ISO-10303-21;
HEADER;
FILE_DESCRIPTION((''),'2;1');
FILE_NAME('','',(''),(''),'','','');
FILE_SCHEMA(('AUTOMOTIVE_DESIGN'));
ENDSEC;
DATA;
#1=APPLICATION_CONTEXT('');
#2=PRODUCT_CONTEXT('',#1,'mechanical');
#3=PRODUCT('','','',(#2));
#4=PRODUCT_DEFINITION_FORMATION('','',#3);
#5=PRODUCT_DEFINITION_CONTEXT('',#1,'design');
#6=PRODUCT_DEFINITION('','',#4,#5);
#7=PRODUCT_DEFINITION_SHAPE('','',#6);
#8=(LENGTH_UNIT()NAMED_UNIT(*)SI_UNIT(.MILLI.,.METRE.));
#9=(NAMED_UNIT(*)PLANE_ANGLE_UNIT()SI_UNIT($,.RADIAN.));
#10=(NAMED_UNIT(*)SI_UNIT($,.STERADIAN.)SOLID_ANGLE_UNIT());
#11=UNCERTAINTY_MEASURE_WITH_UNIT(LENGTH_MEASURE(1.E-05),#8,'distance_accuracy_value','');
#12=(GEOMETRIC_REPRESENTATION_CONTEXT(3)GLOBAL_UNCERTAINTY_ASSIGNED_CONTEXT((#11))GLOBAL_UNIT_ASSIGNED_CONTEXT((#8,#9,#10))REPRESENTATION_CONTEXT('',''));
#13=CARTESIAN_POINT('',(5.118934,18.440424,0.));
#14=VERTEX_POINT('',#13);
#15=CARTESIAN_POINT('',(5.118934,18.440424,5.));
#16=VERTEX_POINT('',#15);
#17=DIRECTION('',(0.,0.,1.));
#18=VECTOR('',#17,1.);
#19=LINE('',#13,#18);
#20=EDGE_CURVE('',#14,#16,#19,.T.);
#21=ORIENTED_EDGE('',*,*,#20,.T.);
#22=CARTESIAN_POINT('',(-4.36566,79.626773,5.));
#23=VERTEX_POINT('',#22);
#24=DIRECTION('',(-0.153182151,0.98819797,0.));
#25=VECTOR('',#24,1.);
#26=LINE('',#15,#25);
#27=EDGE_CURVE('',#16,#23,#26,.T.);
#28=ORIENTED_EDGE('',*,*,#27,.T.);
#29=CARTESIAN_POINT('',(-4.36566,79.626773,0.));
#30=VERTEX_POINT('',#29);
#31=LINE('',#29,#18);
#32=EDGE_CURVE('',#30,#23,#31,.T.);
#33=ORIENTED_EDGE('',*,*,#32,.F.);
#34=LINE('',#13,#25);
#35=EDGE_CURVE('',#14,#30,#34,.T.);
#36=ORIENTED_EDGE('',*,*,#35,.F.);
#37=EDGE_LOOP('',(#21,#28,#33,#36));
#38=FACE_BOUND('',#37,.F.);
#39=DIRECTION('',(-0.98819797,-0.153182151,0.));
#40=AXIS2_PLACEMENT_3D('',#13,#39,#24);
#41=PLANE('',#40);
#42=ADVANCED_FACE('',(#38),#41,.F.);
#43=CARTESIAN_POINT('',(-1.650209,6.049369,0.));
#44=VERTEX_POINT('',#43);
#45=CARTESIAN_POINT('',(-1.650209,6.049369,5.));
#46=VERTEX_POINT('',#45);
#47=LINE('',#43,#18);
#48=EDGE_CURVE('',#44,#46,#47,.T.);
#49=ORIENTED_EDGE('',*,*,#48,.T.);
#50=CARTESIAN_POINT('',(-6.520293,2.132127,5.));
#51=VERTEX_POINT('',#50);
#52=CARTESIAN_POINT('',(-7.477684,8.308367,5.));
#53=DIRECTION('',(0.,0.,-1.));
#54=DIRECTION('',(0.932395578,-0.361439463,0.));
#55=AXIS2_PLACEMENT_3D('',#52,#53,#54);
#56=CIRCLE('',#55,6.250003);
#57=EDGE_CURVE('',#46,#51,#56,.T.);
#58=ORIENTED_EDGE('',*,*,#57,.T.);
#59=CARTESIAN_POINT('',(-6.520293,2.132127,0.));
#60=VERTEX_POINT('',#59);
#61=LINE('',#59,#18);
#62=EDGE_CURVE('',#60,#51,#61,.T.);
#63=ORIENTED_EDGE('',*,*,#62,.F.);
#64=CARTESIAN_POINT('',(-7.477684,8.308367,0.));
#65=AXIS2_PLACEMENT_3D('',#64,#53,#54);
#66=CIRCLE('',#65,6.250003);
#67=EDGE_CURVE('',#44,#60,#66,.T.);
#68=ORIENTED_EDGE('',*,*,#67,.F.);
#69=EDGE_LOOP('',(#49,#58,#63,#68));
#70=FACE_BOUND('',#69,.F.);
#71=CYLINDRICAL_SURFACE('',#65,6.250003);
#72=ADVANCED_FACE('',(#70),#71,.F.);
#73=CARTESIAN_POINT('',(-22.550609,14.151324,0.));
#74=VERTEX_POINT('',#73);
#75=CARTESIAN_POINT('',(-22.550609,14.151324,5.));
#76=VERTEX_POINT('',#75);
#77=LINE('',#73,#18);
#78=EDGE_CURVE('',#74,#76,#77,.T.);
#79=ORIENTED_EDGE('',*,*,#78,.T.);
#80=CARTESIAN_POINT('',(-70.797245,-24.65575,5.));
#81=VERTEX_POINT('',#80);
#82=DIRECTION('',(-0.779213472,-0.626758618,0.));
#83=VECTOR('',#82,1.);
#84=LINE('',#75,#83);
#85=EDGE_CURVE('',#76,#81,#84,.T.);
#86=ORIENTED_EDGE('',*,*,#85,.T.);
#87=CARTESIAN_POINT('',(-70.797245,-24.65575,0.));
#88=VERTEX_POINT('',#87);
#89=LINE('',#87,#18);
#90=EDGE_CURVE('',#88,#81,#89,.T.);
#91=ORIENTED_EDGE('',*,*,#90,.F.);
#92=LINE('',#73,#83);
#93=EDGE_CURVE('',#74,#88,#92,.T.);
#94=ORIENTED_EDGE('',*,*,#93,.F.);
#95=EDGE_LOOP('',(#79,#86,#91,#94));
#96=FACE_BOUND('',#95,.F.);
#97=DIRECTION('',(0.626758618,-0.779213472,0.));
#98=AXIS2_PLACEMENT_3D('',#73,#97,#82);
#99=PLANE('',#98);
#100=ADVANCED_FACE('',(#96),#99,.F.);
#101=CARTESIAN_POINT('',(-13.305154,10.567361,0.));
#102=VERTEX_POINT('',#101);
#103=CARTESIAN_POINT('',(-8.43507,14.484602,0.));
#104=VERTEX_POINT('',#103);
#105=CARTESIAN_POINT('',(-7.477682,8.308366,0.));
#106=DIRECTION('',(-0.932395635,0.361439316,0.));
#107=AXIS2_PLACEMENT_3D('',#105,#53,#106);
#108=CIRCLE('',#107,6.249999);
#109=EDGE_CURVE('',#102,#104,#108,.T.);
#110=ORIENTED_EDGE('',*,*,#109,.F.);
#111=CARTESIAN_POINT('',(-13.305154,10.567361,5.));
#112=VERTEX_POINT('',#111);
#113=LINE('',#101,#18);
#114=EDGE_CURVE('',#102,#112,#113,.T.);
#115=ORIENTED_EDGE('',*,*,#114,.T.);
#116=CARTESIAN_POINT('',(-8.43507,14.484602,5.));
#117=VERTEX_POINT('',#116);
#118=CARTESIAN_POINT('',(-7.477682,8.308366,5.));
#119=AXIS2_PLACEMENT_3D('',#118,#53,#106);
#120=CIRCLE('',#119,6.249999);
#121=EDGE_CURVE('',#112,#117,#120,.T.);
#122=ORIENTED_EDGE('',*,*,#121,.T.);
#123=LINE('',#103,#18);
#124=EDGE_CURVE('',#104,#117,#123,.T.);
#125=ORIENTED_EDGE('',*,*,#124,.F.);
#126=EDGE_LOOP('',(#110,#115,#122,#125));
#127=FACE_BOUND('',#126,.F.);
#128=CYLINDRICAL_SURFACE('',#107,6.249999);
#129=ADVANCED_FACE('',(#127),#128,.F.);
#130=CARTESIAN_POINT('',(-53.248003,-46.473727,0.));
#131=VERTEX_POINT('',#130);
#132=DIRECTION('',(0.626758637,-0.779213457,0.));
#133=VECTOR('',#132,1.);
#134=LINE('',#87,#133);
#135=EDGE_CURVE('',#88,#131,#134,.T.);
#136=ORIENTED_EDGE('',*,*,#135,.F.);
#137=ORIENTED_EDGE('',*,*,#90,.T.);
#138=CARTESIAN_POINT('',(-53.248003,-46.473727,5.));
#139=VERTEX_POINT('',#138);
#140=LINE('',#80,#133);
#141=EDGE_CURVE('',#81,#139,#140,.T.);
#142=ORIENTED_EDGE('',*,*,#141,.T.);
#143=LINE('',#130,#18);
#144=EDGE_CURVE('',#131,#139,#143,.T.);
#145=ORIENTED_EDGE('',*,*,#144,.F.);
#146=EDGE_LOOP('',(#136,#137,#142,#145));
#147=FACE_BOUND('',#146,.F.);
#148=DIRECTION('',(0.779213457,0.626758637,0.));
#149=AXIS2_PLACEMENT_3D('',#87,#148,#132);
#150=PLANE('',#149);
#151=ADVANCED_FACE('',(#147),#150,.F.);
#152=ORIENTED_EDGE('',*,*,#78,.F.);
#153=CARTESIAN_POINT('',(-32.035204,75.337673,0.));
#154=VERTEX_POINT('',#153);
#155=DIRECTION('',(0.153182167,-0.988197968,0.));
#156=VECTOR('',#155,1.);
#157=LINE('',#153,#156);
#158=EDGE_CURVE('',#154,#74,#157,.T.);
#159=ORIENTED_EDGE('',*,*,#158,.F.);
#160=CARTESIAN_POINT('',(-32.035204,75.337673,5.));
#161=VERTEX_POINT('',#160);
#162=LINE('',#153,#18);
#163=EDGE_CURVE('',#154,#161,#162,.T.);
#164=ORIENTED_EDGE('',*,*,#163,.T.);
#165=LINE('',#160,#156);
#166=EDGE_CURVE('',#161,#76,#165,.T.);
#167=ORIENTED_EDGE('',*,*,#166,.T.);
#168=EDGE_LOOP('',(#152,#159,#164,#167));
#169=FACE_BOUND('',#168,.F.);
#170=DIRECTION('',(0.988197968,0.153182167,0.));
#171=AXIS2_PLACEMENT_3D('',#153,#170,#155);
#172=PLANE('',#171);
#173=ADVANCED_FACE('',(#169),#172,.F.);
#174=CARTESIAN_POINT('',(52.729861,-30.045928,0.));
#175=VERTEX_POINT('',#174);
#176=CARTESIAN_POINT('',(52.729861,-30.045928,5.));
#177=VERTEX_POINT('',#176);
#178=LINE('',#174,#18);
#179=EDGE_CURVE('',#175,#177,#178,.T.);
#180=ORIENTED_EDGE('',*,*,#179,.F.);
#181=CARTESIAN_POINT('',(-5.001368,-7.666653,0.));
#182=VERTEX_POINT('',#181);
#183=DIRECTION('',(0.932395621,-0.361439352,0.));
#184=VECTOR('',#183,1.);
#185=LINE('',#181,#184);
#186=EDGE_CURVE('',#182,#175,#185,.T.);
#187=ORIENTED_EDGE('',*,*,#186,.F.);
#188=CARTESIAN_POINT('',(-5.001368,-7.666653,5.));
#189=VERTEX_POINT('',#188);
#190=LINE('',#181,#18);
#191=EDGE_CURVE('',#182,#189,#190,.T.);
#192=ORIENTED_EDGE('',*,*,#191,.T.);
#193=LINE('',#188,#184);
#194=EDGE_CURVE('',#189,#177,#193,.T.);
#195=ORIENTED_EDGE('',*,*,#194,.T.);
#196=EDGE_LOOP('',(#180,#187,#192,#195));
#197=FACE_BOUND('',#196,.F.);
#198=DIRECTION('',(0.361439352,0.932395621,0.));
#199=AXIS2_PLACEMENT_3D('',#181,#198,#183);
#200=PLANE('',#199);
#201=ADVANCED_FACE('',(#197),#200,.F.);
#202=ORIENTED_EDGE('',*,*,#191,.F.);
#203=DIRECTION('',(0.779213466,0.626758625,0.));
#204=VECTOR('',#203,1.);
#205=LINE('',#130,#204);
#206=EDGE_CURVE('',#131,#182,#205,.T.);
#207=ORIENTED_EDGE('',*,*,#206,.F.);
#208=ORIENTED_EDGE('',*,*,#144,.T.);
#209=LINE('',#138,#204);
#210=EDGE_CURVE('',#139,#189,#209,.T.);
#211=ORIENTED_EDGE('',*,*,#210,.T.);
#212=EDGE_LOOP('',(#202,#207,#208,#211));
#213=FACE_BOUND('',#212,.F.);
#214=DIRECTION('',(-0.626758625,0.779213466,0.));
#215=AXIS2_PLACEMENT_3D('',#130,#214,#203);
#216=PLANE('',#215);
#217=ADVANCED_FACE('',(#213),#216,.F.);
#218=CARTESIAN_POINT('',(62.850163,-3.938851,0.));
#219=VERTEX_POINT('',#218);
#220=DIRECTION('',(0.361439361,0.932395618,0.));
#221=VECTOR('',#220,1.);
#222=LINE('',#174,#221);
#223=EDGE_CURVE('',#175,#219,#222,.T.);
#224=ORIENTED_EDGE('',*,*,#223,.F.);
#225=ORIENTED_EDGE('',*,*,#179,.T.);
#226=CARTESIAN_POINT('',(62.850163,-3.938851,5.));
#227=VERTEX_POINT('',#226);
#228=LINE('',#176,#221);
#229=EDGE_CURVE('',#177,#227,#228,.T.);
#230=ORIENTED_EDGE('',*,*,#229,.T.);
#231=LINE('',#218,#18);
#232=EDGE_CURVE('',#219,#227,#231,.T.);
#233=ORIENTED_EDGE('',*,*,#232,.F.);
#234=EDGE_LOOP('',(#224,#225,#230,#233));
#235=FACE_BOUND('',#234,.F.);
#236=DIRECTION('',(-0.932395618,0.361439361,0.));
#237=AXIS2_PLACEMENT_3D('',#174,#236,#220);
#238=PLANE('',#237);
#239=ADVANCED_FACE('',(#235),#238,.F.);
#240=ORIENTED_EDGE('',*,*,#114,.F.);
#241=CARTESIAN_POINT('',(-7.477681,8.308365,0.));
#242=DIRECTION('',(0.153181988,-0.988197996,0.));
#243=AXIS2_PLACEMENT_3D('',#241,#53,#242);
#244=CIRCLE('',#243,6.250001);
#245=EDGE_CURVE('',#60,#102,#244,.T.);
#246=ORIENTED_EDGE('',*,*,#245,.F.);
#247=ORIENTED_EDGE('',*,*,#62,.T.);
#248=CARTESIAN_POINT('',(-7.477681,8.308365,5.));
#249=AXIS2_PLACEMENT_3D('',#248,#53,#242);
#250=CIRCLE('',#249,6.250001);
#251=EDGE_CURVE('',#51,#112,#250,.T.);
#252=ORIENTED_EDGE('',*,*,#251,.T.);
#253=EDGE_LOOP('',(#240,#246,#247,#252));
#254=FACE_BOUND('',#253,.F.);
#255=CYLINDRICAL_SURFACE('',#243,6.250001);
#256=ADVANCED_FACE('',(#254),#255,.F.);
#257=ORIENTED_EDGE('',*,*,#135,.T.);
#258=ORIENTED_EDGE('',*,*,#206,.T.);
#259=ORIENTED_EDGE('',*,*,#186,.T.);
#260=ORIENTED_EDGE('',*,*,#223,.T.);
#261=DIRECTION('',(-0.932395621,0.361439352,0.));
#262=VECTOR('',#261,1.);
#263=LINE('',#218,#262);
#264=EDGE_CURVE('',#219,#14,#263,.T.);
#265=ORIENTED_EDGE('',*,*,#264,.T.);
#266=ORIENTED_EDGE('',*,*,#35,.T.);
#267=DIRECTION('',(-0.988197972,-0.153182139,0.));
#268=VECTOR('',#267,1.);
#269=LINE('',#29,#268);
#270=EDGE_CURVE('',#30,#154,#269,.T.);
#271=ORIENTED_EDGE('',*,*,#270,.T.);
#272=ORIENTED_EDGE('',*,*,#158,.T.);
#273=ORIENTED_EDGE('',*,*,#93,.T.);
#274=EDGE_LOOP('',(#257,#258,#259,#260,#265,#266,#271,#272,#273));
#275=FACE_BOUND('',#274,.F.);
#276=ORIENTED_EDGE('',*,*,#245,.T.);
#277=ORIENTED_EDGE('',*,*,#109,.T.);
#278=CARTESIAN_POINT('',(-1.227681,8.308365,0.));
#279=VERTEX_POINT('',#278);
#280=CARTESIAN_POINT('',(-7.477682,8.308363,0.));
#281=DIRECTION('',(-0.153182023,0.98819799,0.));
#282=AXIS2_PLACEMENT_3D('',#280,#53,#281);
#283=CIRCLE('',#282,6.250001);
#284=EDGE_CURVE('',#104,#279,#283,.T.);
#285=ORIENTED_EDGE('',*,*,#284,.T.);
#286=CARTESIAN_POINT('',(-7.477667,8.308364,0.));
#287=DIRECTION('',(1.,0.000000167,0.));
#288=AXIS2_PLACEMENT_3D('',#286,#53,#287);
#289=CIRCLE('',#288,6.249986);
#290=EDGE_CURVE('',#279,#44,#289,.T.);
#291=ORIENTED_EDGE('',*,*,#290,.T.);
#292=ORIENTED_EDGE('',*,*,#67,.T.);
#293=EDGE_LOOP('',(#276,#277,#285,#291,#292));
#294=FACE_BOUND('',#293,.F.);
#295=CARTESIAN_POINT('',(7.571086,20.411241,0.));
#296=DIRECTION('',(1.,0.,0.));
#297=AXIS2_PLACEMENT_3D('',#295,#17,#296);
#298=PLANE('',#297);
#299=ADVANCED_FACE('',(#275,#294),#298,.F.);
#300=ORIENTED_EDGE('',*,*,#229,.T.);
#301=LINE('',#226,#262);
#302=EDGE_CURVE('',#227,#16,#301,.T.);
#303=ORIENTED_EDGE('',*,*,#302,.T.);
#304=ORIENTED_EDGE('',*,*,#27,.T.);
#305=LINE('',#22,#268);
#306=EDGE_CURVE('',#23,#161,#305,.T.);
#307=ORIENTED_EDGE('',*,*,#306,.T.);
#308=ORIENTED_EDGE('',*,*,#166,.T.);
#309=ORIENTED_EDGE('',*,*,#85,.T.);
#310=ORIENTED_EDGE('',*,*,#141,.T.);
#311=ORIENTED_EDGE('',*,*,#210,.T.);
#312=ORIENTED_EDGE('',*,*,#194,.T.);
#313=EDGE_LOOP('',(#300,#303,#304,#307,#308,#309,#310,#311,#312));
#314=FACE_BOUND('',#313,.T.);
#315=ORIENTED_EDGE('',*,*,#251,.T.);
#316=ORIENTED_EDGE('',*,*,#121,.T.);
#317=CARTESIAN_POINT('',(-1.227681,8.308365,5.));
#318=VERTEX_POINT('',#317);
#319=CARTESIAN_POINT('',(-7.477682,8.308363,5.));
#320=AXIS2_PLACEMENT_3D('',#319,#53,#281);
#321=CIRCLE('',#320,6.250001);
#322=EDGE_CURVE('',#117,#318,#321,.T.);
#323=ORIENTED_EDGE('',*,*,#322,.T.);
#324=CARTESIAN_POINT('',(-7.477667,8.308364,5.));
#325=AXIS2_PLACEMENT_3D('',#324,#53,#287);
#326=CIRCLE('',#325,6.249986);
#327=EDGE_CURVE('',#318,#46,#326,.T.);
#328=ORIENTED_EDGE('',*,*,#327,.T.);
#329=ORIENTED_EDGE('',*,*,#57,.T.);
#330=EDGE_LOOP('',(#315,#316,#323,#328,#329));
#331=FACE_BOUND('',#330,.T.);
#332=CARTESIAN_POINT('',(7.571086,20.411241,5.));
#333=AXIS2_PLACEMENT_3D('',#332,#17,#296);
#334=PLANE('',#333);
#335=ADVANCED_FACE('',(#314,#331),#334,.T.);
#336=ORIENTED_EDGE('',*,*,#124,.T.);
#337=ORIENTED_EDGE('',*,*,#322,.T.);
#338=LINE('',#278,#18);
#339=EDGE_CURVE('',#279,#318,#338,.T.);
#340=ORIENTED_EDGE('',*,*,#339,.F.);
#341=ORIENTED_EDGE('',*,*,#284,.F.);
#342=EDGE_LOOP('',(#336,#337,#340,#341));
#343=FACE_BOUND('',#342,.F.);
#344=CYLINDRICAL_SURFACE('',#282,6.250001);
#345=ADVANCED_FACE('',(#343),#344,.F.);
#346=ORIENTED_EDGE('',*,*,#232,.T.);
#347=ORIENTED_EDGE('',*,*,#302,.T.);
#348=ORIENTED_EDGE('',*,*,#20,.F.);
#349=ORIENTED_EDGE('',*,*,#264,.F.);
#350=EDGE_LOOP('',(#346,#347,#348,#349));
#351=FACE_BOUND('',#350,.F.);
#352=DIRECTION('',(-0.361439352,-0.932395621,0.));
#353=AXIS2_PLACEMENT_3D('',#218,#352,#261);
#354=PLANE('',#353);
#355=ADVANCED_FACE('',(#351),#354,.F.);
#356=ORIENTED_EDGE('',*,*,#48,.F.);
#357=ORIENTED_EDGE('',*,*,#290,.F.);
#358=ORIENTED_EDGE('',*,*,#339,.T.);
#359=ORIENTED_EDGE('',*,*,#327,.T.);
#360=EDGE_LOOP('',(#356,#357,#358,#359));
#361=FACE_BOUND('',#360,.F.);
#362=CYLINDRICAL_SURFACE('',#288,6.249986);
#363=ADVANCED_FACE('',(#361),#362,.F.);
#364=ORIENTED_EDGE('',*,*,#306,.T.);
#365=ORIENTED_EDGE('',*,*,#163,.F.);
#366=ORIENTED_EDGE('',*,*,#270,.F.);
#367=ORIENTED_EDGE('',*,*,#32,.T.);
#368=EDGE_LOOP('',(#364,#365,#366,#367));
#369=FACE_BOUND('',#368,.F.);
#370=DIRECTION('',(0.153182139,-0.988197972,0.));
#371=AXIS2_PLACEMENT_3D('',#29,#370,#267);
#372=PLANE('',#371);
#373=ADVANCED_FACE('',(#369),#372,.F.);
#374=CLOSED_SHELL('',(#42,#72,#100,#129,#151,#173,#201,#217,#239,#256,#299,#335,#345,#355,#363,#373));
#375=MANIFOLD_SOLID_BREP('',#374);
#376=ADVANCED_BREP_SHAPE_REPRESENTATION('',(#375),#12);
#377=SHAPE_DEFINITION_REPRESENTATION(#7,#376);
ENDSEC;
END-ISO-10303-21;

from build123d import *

# Parameters (mm, degrees)
F1_DEPTH = 5


with BuildPart() as f1:
    # F0 (on Top) → F1 (new body)
    with BuildSketch(Plane.XY):
        with BuildLine():
            Line((-4.36566, 79.626773), (-32.035204, 75.337673))
            Line((-32.035204, 75.337673), (-22.550609, 14.151324))
            Line((-22.550609, 14.151324), (-13.305154, 10.567361))
            ThreePointArc((-13.305154, 10.567361), (-11.394923, 13.178449), (-8.43507, 14.484602))
            ThreePointArc((-8.43507, 14.484602), (-3.410814, 13.054214), (-1.227681, 8.308365))
            ThreePointArc((-1.227681, 8.308365), (-1.334221, 7.159279), (-1.650209, 6.049369))
            ThreePointArc((-1.650209, 6.049369), (-3.56044, 3.438281), (-6.520293, 2.132127))
            Line((-6.520293, 2.132127), (-5.001368, -7.666653))
            Line((-5.001368, -7.666653), (52.729861, -30.045928))
            Line((52.729861, -30.045928), (62.850163, -3.938851))
            Line((62.850163, -3.938851), (5.118934, 18.440424))
            Line((5.118934, 18.440424), (-4.36566, 79.626773))
        make_face()
        with BuildLine():
            Line((-13.305154, 10.567361), (-22.550609, 14.151324))
            Line((-22.550609, 14.151324), (-70.797245, -24.65575))
            Line((-70.797245, -24.65575), (-53.248003, -46.473727))
            Line((-53.248003, -46.473727), (-5.001368, -7.666653))
            Line((-5.001368, -7.666653), (-6.520293, 2.132127))
            ThreePointArc((-6.520293, 2.132127), (-12.347765, 4.391123), (-13.305154, 10.567361))
        make_face()
    extrude(amount=F1_DEPTH)


solid = f1.part
